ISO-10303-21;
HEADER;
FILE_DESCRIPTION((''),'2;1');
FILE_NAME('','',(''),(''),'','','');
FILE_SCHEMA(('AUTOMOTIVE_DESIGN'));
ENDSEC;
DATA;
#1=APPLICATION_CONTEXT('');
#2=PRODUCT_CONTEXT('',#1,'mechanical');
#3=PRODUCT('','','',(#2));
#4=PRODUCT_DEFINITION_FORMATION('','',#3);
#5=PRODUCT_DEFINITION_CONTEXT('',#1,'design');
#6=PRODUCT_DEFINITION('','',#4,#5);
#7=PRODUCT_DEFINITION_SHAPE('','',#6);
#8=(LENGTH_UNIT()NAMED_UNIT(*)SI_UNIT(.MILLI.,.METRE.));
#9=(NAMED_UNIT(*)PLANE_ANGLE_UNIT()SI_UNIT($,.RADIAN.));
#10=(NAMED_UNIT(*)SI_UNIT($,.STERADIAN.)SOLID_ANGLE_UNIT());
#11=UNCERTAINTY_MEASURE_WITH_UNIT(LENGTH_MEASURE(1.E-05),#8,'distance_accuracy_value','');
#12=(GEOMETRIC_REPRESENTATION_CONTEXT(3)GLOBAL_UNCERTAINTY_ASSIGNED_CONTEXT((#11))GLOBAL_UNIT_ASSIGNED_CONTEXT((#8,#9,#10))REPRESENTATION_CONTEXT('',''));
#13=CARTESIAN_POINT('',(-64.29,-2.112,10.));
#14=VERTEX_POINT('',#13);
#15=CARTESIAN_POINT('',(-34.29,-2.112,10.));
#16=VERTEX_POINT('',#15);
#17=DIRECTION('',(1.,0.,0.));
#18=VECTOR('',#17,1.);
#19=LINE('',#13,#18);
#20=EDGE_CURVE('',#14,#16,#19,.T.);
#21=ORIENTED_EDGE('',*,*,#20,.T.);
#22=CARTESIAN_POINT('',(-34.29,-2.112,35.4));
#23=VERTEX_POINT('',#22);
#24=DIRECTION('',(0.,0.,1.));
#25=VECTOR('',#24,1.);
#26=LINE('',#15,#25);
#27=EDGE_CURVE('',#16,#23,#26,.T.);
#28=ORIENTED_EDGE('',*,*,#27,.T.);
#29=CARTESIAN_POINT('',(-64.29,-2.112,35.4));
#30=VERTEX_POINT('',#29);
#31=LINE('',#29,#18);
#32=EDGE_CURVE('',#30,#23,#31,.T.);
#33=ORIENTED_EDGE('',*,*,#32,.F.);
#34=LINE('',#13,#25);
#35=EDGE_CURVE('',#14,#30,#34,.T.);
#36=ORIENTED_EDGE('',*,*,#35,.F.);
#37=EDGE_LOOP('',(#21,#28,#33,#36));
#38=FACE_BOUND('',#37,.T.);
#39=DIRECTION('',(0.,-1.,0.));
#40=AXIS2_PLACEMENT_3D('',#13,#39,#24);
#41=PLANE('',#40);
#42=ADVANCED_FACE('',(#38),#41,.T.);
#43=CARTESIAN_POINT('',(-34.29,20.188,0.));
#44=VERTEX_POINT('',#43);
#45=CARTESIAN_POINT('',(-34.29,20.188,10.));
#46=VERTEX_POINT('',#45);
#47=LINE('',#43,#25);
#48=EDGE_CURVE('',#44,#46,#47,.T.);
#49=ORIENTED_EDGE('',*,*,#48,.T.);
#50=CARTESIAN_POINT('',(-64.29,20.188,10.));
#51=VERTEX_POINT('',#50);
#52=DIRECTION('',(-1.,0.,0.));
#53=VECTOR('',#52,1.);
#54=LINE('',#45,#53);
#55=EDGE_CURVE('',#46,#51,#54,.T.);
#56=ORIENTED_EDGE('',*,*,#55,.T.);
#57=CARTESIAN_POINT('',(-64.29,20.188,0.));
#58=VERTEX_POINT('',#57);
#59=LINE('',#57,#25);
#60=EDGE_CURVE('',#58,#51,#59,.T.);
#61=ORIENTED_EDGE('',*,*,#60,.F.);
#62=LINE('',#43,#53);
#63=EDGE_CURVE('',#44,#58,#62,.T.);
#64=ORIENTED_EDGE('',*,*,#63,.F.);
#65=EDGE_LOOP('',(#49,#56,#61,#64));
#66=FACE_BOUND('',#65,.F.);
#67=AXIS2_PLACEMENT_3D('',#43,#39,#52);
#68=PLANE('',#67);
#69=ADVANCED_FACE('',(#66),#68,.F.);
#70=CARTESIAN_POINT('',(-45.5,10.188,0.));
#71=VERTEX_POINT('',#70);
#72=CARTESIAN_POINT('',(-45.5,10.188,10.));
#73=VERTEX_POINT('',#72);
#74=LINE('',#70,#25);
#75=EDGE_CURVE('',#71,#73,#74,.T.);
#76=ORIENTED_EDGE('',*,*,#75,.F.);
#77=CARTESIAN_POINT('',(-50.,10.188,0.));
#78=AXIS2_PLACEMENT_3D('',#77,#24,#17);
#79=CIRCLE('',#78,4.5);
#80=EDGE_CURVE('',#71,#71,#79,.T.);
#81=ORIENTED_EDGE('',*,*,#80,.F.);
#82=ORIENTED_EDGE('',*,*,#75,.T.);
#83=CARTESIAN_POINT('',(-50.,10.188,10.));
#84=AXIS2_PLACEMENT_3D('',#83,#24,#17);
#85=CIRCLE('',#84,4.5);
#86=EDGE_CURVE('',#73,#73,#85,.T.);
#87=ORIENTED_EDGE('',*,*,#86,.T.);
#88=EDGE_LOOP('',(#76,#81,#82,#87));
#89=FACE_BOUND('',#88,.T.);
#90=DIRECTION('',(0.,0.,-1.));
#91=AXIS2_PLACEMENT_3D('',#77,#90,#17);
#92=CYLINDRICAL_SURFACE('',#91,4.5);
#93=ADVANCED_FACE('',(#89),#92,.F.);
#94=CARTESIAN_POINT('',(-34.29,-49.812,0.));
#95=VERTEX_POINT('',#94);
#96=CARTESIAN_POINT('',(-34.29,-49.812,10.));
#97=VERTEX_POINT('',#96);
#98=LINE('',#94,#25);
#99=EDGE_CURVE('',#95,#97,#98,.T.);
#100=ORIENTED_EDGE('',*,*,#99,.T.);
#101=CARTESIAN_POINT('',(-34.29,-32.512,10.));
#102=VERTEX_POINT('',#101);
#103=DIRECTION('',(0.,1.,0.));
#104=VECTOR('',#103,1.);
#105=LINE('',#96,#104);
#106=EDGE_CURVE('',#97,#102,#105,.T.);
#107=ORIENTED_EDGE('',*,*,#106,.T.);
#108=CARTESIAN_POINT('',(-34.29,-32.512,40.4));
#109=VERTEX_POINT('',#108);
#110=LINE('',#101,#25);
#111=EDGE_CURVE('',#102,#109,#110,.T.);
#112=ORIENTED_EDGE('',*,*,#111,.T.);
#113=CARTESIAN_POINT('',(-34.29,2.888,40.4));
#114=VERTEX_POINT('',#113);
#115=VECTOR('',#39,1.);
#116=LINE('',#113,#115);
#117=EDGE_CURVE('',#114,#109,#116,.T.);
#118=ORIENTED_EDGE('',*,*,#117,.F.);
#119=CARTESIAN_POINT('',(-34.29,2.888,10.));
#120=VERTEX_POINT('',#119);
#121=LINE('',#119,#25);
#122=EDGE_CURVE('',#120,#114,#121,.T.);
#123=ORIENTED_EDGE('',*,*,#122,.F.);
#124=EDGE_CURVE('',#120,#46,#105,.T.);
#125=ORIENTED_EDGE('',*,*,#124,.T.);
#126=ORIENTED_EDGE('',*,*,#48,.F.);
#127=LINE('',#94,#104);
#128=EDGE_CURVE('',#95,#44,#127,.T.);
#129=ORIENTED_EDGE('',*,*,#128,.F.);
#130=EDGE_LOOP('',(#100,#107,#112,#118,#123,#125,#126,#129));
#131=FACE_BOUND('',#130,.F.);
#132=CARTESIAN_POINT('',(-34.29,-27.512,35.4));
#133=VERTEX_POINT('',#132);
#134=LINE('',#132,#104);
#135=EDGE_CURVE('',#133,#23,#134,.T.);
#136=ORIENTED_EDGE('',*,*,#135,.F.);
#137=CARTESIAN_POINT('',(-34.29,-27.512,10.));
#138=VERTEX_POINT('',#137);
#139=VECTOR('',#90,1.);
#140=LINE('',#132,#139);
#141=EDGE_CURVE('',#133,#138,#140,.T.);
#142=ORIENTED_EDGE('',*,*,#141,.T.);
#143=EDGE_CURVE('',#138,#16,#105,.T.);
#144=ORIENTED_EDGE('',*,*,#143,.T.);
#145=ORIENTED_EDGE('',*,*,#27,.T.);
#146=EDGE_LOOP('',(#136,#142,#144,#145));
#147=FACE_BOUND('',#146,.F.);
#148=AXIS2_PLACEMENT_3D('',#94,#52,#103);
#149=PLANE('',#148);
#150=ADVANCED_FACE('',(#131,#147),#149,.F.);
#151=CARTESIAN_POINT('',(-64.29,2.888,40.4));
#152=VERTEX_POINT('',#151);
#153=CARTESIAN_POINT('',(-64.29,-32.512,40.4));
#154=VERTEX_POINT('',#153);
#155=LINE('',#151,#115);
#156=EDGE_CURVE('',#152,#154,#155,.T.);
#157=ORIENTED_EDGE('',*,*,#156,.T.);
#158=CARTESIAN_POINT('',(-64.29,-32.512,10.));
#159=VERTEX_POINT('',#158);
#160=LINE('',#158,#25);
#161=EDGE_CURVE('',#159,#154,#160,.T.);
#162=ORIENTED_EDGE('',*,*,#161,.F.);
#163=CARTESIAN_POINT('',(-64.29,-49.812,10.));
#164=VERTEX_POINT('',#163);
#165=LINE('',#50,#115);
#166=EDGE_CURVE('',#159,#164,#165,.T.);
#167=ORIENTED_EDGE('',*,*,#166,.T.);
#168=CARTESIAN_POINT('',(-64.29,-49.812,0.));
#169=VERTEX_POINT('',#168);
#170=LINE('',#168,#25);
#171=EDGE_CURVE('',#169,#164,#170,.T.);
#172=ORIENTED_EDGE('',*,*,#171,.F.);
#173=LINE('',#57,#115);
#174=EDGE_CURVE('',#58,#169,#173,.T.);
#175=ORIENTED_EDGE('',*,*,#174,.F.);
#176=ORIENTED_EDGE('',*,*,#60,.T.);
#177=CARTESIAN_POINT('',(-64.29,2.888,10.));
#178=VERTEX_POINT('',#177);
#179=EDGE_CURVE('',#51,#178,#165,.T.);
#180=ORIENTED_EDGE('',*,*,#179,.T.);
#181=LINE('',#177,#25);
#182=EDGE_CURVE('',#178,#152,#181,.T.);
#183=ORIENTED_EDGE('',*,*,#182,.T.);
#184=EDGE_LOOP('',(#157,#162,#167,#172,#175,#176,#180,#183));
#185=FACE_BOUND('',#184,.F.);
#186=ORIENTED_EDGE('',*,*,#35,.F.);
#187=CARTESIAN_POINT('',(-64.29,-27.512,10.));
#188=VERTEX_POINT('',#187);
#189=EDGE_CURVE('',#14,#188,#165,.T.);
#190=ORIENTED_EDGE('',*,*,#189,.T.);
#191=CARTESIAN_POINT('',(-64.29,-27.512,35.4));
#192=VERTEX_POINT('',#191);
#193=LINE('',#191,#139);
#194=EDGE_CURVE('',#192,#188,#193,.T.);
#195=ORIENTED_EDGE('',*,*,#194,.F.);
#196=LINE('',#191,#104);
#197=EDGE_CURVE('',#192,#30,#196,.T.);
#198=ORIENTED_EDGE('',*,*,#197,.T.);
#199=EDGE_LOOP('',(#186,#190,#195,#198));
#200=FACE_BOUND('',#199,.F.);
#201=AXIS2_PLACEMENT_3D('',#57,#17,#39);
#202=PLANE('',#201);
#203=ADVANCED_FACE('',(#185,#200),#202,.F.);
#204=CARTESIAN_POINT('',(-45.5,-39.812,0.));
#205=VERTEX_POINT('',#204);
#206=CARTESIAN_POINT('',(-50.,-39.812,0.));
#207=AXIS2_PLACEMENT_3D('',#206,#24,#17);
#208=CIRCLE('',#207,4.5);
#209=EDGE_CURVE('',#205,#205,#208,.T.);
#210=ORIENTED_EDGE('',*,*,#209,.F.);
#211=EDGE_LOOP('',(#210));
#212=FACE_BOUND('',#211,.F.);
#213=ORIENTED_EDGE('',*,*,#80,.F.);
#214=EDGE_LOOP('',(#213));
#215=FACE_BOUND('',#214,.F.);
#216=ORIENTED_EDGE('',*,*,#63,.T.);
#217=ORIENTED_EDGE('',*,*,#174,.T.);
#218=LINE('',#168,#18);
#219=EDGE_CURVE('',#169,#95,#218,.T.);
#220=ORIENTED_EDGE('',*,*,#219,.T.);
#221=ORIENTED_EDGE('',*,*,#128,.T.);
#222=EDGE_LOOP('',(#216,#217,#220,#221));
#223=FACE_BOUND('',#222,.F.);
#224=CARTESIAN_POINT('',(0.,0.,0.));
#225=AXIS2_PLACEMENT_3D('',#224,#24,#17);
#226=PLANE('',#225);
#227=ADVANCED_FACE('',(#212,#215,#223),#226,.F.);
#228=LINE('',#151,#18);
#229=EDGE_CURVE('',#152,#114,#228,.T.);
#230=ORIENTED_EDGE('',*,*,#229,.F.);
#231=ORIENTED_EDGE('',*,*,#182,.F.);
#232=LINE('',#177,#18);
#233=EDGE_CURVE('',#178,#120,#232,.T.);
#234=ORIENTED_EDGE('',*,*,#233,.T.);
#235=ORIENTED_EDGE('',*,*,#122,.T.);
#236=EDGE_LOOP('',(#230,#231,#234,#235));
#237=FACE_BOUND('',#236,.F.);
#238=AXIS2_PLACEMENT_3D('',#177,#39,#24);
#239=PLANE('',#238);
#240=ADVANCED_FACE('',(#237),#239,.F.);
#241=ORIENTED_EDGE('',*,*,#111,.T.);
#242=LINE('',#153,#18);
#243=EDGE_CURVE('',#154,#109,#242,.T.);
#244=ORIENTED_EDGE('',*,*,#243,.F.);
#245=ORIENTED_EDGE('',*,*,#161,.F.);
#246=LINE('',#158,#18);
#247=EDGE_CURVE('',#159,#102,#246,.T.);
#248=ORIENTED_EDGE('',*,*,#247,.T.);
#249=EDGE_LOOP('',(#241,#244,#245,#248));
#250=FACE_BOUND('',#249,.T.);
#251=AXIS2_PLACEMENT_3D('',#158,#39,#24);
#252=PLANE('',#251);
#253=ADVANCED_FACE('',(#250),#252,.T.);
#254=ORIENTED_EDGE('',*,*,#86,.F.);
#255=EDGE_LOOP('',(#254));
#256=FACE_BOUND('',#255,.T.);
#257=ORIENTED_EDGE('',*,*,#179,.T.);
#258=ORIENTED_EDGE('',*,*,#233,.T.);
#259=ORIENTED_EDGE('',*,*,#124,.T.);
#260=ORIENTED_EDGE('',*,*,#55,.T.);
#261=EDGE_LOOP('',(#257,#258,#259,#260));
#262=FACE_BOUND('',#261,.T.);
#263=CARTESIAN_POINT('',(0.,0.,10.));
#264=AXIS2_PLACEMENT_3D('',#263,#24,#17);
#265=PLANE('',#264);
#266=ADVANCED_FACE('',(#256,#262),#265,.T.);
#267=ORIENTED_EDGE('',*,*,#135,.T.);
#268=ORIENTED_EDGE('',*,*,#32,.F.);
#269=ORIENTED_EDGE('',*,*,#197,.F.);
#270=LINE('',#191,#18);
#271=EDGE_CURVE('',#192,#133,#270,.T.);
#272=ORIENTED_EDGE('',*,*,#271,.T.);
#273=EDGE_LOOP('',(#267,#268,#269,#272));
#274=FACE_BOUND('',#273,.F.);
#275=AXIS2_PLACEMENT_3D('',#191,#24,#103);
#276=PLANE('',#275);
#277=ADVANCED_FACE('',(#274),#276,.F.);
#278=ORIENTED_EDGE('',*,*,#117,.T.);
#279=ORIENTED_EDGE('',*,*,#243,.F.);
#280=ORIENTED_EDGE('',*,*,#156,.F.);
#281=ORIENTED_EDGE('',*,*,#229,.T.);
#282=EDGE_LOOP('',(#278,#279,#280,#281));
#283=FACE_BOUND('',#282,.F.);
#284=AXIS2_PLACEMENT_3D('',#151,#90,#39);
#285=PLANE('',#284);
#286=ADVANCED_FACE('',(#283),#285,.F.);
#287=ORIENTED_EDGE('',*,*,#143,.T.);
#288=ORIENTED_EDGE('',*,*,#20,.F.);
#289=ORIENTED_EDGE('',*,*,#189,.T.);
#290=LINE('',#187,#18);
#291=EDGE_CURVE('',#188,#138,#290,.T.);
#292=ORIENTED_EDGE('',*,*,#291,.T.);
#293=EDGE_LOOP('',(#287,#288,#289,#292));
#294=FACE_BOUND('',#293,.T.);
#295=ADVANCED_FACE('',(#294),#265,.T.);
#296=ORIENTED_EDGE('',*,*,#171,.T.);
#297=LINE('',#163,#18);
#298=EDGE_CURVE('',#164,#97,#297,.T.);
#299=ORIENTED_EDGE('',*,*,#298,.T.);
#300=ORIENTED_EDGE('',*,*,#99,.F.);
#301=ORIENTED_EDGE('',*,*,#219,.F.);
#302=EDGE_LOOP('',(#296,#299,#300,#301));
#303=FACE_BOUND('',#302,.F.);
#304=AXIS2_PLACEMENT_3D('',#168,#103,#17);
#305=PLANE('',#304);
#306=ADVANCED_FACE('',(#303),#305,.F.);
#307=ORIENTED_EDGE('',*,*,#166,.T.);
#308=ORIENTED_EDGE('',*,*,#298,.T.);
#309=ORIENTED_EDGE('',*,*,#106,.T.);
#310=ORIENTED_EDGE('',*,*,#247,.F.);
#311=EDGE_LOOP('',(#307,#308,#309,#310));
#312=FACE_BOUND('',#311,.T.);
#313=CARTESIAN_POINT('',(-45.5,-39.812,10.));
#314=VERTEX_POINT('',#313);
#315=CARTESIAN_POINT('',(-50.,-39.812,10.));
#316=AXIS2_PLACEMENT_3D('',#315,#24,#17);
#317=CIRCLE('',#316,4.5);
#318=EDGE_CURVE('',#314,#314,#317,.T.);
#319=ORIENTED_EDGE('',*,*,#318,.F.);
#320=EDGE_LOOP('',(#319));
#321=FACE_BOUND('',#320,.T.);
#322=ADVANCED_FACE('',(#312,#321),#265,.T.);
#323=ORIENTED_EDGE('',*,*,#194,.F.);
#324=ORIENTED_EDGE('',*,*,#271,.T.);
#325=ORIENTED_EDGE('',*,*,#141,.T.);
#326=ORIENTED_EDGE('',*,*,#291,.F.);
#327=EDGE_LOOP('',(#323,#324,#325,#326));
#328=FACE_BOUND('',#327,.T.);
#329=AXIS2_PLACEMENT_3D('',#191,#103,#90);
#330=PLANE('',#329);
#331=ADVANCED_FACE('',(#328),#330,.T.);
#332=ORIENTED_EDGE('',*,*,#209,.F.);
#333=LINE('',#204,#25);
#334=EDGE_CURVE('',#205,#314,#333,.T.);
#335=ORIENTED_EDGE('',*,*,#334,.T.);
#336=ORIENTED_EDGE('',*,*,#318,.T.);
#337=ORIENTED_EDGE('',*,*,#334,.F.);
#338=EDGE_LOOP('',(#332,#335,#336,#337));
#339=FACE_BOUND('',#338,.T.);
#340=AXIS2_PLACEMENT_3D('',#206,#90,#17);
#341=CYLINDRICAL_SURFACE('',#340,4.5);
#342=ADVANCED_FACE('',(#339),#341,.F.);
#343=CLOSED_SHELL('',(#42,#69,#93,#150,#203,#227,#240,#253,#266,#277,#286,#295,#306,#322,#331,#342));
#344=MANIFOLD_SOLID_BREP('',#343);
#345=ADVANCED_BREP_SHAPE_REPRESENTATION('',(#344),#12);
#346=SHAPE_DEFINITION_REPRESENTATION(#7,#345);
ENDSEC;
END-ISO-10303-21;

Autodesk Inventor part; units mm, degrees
ref_plane "YZ Plane" through (0, 0, 0) normal (1, 0, 0) x (0, 1, 0)
ref_plane "XZ Plane" through (0, 0, 0) normal (0, 1, 0) x (-1, 0, 0)
sketch "Sketch1" plane through (0, 0, 0) normal (0, 0, 1) x (1, 0, 0)
  circle A0 centre (-50, 10.188) radius 4.5 projected
  circle A1 centre (-50, -39.812) radius 4.5 projected
  line L0 (30, -49.812) -> (60, -49.812) projected
  line L1 (60, 20.188) -> (30, 20.188) projected
  line L2 (60, 2.888) -> (30, 2.888) projected
  line L3 (60, -32.512) -> (30, -32.512) projected
  line L4 (-34.29, 20.188) -> (-64.29, 20.188)
  line L5 (-64.29, 20.188) -> (-64.29, -49.812)
  line L6 (-64.29, -49.812) -> (-34.29, -49.812)
  line L7 (-34.29, -49.812) -> (-34.29, 20.188)
  point P0 (0, 0)
ref_plane "Work Plane1" through (30, 2.888, 10) normal (0, 0, 1) x (1, 0, 0)
extrude "Extrusion1" add sketch "Sketch1" along normal up to surface (10 mm away)
sketch "Sketch2" plane through (-64.29, -49.812, 0) normal (-1, 0, 0) x (0, 0, 1)
  line L0 (40.4, 52.7) -> (40.4, 17.3) projected
  line L1 (10, 52.7) -> (40.4, 52.7) projected
  line L2 (10, 17.3) -> (40.4, 17.3) projected
  line L3 (35.4, 22.3) -> (10, 22.3) projected
  line L4 (35.4, 22.3) -> (35.4, 47.7) projected
  line L5 (10, 47.7) -> (35.4, 47.7) projected
  line L6 (10, 0) -> (10, 70) projected
  point P0 (0, 49.812)
extrude "Extrusion2" add sketch "Sketch2" against normal up to surface (30 mm away) contours L0 L2 L6 L3 L4 L5 L1
properties part number "RailMountSupport" material "PC/ABS Plastic"
